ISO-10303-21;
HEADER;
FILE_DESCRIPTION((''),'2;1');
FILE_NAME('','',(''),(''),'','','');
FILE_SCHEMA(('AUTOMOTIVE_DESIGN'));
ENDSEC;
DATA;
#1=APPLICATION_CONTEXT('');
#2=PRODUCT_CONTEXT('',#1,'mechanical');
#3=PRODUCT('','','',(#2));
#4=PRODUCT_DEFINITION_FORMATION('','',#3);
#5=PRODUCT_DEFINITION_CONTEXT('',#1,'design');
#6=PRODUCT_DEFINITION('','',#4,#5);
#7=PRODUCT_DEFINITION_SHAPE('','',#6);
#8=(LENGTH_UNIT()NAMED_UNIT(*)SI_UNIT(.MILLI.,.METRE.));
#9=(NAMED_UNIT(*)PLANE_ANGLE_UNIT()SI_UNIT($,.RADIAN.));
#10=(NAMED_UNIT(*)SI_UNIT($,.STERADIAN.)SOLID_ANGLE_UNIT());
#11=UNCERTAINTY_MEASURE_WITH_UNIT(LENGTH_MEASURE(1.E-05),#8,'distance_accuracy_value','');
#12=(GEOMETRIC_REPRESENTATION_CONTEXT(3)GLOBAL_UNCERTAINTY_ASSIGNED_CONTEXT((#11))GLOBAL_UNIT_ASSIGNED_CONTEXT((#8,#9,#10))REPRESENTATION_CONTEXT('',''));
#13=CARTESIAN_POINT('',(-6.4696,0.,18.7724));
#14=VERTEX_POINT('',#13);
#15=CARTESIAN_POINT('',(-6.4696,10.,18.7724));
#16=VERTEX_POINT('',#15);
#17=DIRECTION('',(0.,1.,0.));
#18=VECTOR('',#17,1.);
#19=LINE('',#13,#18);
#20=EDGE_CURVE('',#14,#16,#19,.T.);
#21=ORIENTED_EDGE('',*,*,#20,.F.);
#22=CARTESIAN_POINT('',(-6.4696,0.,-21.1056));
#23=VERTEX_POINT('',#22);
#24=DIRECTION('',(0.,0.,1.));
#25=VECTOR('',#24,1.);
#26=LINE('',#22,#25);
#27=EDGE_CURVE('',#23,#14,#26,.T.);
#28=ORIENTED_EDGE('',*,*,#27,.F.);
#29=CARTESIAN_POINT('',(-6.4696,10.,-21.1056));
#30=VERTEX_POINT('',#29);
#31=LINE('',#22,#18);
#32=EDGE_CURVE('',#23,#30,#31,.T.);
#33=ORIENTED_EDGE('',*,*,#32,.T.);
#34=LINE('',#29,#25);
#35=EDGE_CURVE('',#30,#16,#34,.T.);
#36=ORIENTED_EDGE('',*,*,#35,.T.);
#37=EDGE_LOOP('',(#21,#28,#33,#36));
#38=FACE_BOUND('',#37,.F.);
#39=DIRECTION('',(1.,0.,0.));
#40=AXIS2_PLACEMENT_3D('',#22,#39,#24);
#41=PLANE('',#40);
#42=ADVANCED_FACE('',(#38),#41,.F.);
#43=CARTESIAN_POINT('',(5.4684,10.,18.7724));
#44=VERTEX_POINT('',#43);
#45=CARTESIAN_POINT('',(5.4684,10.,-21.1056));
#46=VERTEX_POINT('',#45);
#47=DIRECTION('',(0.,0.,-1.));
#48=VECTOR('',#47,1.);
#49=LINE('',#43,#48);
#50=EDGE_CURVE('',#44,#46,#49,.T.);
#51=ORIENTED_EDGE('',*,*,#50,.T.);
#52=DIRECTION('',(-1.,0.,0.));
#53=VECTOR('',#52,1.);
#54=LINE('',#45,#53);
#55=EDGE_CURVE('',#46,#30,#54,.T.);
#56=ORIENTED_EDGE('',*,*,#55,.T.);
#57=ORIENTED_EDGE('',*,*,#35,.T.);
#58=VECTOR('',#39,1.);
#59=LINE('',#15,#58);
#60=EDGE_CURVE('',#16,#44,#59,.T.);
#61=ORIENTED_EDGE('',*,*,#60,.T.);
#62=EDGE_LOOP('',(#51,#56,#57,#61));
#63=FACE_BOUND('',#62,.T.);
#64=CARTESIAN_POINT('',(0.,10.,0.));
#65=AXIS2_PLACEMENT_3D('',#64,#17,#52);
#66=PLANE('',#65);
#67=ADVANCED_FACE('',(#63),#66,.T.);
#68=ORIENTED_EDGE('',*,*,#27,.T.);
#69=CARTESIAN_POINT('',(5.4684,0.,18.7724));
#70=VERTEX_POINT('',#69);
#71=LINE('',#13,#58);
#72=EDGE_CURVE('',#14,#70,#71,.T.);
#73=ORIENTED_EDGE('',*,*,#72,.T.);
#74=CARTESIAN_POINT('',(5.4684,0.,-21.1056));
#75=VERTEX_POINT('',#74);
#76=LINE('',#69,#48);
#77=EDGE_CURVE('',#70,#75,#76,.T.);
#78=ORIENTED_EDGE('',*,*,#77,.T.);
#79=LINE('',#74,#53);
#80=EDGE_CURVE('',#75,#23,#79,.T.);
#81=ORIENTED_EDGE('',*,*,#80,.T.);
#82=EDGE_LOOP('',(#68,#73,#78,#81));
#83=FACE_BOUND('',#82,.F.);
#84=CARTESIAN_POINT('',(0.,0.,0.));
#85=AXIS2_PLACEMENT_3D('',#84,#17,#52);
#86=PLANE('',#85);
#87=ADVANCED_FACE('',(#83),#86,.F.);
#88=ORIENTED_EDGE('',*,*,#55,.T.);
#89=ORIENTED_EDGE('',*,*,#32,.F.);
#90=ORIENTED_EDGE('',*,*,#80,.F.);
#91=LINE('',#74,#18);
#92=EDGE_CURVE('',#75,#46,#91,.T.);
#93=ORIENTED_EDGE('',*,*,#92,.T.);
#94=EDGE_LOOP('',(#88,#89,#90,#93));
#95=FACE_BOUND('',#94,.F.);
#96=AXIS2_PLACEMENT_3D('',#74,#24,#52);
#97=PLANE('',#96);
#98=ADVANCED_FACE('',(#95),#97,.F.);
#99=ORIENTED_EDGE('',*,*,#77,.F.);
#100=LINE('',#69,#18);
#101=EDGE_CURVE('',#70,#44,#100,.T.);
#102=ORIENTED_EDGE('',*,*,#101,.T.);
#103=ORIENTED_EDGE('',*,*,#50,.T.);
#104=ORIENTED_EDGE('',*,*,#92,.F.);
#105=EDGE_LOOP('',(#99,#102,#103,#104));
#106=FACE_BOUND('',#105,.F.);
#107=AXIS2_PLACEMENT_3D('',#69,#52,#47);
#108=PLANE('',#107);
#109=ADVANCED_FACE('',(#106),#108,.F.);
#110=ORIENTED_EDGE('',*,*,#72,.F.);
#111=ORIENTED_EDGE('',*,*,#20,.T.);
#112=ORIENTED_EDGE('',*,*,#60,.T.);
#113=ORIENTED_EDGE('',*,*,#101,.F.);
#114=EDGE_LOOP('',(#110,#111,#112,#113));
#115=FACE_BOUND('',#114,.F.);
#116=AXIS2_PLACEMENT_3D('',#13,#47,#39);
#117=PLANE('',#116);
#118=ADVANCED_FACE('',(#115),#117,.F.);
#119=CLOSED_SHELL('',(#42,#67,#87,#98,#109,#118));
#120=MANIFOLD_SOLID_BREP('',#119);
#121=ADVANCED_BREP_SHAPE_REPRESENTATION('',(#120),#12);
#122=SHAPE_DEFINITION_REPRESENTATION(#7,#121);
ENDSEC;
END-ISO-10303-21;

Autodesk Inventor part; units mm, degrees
ref_plane "YZ Plane" through (0, 0, 0) normal (1, 0, 0) x (0, 1, 0)
ref_plane "XZ Plane" through (0, 0, 0) normal (0, 1, 0) x (-1, 0, 0)
ref_plane "XY Plane" through (0, 0, 0) normal (0, 0, 1) x (1, 0, 0)
sketch "Sketch1" plane through (0, 0, 0) normal (0, 1, 0) x (-1, 0, 0)
  line L0 (6.4696, 18.7724) -> (-5.4684, 18.7724)
  line L1 (-5.4684, 18.7724) -> (-5.4684, -21.1056)
  line L2 (-5.4684, -21.1056) -> (6.4696, -21.1056)
  line L3 (6.4696, -21.1056) -> (6.4696, 18.7724)
  point P0 (0, 0)
  dimension "d0" = 39.878
  dimension "d1" = 11.938
extrude "Extrusion1" add sketch "Sketch1" along normal blind 10
properties part number "FilterBlock"
